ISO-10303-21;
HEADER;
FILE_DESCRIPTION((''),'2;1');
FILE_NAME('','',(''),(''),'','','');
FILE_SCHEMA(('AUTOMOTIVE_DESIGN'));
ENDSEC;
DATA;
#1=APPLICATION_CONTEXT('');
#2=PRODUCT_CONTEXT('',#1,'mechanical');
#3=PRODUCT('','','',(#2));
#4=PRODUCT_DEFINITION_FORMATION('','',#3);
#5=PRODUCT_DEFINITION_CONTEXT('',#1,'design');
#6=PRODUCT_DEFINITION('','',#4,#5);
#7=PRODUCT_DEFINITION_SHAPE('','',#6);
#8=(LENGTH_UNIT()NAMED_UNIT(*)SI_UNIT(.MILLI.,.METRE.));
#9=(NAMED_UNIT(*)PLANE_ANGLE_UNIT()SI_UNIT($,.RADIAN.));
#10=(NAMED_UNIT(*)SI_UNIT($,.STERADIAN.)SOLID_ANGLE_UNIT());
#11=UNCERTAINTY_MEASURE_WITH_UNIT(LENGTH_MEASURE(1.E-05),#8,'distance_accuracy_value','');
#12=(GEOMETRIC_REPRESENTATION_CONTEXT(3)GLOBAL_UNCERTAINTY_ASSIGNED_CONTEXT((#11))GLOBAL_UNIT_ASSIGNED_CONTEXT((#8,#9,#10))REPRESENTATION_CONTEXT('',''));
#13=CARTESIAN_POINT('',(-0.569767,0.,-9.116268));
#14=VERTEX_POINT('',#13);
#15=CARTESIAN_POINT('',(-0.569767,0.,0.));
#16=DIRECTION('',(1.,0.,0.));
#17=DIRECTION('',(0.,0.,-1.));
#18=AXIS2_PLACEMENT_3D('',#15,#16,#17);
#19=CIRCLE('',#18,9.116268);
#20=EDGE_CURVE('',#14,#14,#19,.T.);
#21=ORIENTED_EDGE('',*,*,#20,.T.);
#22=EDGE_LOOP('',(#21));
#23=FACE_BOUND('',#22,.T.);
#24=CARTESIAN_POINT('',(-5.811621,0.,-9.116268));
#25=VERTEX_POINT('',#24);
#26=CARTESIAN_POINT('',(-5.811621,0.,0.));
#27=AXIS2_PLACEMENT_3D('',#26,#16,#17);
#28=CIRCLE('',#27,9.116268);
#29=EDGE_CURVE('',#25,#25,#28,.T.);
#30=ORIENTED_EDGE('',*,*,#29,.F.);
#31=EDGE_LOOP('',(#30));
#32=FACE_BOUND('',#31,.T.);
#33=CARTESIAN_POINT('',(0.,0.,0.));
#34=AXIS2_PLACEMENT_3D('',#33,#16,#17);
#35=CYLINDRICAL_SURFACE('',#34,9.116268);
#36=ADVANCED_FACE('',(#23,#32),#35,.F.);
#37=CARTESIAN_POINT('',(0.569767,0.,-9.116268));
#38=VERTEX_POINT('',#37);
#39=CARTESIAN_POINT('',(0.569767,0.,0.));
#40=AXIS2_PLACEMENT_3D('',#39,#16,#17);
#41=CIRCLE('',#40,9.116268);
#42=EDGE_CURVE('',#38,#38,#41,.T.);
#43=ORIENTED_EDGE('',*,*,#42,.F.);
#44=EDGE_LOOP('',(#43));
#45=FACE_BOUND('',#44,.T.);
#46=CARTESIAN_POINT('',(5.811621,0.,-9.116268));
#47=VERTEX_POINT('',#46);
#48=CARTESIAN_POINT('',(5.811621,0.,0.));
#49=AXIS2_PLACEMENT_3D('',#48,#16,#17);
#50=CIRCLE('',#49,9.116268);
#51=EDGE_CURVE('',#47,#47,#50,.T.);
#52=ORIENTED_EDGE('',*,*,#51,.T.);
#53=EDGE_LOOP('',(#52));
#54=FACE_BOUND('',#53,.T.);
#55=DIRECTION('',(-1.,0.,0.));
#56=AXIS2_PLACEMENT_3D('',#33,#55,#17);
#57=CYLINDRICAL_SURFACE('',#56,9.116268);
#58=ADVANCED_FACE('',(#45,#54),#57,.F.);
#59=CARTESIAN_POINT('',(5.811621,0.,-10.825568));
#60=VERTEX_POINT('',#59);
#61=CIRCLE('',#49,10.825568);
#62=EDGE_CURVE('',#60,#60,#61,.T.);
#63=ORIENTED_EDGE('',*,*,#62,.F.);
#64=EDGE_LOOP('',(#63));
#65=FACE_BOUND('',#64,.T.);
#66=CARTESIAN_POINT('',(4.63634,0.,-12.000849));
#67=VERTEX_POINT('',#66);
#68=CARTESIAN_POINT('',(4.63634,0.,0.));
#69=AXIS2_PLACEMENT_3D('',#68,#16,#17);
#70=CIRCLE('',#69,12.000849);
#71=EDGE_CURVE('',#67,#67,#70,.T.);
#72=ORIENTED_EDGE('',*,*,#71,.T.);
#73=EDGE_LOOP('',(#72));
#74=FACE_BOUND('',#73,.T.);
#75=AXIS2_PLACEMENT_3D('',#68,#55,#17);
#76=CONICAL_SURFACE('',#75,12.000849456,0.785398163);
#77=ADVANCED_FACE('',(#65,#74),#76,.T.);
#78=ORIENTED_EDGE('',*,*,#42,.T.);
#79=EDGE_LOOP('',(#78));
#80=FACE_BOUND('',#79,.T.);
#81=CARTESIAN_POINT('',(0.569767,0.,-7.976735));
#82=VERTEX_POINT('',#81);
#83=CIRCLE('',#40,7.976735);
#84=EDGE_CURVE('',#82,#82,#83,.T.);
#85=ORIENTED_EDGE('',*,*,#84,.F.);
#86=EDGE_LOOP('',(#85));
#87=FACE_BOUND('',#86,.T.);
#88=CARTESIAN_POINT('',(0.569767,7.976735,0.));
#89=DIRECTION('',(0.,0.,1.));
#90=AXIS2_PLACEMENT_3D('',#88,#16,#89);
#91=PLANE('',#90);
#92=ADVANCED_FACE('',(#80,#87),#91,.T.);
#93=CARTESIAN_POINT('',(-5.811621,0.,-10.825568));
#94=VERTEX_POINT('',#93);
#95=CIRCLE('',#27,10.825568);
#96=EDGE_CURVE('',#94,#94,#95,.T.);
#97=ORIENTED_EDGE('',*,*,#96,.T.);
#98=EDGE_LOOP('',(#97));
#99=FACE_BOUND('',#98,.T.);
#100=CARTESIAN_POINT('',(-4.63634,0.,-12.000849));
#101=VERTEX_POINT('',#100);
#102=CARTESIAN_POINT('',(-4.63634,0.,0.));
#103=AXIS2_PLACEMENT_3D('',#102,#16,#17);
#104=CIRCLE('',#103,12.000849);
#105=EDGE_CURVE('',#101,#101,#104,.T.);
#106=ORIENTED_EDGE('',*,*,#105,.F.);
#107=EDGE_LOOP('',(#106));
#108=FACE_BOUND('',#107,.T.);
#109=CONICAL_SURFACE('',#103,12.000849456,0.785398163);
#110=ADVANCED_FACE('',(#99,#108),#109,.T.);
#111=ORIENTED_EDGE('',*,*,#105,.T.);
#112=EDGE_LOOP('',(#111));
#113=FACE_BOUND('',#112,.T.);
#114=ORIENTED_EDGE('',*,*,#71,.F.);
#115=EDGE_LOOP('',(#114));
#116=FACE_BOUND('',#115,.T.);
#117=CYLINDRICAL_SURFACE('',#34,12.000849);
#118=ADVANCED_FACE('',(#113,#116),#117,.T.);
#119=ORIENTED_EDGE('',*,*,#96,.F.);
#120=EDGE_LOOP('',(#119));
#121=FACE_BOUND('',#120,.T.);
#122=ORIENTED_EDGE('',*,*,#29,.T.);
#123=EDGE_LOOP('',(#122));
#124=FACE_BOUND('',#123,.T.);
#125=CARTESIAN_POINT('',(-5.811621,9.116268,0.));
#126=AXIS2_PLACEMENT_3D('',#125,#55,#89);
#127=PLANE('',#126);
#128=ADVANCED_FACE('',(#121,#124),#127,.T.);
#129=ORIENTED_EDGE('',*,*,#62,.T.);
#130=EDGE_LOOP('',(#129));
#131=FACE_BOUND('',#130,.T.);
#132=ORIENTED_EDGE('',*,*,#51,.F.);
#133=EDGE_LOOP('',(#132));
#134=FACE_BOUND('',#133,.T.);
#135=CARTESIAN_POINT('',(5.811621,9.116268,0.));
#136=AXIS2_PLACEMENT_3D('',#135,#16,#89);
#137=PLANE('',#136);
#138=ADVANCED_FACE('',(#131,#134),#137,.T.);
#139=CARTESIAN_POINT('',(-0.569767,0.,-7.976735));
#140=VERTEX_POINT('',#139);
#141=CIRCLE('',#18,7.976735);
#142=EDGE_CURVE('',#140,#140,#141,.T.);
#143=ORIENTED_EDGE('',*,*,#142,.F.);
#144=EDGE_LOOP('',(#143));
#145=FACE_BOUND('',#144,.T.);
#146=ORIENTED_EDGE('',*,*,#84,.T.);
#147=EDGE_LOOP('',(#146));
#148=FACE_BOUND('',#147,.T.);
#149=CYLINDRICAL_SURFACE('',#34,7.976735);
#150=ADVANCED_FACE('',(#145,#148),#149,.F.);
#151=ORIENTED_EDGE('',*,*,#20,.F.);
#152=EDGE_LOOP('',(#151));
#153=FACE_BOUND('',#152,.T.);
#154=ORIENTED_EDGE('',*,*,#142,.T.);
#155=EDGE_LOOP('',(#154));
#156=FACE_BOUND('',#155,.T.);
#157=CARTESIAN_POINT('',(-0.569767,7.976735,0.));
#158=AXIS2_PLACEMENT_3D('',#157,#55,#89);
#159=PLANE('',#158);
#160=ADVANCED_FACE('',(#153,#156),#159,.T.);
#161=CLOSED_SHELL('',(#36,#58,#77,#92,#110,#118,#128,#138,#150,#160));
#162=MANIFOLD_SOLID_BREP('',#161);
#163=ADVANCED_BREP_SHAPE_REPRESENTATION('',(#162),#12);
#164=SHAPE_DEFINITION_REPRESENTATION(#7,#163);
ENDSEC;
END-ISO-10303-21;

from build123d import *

# Parameters (mm, degrees)
SCALE1_SCALE = 1.142857143
SCALE2_SCALE = 0.997091816


with BuildPart() as part:
    # Sketch1 → Revolve1 (revolve)
    with BuildSketch(Plane.XY, mode=Mode.PRIVATE) as revolve1_sk:
        Polygon((0, 7), (-0.5, 7), (-0.5, 8), (-5.1, 8), (-5.1, 9.5), (-4.068629558, 10.531370442), (0, 10.531370442), align=None)
    revolve1 = revolve(revolve1_sk.sketch.rotate(Axis((0, 0, 0), (-1, 0, 0)), 90), axis=Axis((0, 0, 0), (-1, 0, 0)))

    # Mirror1: Revolve1 across plane
    add(revolve1.mirror(Plane(origin=(0, 10.531370442, 0), x_dir=(0, 0, 1), z_dir=(1, 0, 0))))


with BuildPart() as part_1:
    # Scale1: scaled about (0, 0, 0)
    add(part.part.scale(SCALE1_SCALE))


with BuildPart() as part_2:
    # Scale2: scaled about (0, 0, 0)
    add(part_1.part.scale(SCALE2_SCALE))


solid = part_2.part
